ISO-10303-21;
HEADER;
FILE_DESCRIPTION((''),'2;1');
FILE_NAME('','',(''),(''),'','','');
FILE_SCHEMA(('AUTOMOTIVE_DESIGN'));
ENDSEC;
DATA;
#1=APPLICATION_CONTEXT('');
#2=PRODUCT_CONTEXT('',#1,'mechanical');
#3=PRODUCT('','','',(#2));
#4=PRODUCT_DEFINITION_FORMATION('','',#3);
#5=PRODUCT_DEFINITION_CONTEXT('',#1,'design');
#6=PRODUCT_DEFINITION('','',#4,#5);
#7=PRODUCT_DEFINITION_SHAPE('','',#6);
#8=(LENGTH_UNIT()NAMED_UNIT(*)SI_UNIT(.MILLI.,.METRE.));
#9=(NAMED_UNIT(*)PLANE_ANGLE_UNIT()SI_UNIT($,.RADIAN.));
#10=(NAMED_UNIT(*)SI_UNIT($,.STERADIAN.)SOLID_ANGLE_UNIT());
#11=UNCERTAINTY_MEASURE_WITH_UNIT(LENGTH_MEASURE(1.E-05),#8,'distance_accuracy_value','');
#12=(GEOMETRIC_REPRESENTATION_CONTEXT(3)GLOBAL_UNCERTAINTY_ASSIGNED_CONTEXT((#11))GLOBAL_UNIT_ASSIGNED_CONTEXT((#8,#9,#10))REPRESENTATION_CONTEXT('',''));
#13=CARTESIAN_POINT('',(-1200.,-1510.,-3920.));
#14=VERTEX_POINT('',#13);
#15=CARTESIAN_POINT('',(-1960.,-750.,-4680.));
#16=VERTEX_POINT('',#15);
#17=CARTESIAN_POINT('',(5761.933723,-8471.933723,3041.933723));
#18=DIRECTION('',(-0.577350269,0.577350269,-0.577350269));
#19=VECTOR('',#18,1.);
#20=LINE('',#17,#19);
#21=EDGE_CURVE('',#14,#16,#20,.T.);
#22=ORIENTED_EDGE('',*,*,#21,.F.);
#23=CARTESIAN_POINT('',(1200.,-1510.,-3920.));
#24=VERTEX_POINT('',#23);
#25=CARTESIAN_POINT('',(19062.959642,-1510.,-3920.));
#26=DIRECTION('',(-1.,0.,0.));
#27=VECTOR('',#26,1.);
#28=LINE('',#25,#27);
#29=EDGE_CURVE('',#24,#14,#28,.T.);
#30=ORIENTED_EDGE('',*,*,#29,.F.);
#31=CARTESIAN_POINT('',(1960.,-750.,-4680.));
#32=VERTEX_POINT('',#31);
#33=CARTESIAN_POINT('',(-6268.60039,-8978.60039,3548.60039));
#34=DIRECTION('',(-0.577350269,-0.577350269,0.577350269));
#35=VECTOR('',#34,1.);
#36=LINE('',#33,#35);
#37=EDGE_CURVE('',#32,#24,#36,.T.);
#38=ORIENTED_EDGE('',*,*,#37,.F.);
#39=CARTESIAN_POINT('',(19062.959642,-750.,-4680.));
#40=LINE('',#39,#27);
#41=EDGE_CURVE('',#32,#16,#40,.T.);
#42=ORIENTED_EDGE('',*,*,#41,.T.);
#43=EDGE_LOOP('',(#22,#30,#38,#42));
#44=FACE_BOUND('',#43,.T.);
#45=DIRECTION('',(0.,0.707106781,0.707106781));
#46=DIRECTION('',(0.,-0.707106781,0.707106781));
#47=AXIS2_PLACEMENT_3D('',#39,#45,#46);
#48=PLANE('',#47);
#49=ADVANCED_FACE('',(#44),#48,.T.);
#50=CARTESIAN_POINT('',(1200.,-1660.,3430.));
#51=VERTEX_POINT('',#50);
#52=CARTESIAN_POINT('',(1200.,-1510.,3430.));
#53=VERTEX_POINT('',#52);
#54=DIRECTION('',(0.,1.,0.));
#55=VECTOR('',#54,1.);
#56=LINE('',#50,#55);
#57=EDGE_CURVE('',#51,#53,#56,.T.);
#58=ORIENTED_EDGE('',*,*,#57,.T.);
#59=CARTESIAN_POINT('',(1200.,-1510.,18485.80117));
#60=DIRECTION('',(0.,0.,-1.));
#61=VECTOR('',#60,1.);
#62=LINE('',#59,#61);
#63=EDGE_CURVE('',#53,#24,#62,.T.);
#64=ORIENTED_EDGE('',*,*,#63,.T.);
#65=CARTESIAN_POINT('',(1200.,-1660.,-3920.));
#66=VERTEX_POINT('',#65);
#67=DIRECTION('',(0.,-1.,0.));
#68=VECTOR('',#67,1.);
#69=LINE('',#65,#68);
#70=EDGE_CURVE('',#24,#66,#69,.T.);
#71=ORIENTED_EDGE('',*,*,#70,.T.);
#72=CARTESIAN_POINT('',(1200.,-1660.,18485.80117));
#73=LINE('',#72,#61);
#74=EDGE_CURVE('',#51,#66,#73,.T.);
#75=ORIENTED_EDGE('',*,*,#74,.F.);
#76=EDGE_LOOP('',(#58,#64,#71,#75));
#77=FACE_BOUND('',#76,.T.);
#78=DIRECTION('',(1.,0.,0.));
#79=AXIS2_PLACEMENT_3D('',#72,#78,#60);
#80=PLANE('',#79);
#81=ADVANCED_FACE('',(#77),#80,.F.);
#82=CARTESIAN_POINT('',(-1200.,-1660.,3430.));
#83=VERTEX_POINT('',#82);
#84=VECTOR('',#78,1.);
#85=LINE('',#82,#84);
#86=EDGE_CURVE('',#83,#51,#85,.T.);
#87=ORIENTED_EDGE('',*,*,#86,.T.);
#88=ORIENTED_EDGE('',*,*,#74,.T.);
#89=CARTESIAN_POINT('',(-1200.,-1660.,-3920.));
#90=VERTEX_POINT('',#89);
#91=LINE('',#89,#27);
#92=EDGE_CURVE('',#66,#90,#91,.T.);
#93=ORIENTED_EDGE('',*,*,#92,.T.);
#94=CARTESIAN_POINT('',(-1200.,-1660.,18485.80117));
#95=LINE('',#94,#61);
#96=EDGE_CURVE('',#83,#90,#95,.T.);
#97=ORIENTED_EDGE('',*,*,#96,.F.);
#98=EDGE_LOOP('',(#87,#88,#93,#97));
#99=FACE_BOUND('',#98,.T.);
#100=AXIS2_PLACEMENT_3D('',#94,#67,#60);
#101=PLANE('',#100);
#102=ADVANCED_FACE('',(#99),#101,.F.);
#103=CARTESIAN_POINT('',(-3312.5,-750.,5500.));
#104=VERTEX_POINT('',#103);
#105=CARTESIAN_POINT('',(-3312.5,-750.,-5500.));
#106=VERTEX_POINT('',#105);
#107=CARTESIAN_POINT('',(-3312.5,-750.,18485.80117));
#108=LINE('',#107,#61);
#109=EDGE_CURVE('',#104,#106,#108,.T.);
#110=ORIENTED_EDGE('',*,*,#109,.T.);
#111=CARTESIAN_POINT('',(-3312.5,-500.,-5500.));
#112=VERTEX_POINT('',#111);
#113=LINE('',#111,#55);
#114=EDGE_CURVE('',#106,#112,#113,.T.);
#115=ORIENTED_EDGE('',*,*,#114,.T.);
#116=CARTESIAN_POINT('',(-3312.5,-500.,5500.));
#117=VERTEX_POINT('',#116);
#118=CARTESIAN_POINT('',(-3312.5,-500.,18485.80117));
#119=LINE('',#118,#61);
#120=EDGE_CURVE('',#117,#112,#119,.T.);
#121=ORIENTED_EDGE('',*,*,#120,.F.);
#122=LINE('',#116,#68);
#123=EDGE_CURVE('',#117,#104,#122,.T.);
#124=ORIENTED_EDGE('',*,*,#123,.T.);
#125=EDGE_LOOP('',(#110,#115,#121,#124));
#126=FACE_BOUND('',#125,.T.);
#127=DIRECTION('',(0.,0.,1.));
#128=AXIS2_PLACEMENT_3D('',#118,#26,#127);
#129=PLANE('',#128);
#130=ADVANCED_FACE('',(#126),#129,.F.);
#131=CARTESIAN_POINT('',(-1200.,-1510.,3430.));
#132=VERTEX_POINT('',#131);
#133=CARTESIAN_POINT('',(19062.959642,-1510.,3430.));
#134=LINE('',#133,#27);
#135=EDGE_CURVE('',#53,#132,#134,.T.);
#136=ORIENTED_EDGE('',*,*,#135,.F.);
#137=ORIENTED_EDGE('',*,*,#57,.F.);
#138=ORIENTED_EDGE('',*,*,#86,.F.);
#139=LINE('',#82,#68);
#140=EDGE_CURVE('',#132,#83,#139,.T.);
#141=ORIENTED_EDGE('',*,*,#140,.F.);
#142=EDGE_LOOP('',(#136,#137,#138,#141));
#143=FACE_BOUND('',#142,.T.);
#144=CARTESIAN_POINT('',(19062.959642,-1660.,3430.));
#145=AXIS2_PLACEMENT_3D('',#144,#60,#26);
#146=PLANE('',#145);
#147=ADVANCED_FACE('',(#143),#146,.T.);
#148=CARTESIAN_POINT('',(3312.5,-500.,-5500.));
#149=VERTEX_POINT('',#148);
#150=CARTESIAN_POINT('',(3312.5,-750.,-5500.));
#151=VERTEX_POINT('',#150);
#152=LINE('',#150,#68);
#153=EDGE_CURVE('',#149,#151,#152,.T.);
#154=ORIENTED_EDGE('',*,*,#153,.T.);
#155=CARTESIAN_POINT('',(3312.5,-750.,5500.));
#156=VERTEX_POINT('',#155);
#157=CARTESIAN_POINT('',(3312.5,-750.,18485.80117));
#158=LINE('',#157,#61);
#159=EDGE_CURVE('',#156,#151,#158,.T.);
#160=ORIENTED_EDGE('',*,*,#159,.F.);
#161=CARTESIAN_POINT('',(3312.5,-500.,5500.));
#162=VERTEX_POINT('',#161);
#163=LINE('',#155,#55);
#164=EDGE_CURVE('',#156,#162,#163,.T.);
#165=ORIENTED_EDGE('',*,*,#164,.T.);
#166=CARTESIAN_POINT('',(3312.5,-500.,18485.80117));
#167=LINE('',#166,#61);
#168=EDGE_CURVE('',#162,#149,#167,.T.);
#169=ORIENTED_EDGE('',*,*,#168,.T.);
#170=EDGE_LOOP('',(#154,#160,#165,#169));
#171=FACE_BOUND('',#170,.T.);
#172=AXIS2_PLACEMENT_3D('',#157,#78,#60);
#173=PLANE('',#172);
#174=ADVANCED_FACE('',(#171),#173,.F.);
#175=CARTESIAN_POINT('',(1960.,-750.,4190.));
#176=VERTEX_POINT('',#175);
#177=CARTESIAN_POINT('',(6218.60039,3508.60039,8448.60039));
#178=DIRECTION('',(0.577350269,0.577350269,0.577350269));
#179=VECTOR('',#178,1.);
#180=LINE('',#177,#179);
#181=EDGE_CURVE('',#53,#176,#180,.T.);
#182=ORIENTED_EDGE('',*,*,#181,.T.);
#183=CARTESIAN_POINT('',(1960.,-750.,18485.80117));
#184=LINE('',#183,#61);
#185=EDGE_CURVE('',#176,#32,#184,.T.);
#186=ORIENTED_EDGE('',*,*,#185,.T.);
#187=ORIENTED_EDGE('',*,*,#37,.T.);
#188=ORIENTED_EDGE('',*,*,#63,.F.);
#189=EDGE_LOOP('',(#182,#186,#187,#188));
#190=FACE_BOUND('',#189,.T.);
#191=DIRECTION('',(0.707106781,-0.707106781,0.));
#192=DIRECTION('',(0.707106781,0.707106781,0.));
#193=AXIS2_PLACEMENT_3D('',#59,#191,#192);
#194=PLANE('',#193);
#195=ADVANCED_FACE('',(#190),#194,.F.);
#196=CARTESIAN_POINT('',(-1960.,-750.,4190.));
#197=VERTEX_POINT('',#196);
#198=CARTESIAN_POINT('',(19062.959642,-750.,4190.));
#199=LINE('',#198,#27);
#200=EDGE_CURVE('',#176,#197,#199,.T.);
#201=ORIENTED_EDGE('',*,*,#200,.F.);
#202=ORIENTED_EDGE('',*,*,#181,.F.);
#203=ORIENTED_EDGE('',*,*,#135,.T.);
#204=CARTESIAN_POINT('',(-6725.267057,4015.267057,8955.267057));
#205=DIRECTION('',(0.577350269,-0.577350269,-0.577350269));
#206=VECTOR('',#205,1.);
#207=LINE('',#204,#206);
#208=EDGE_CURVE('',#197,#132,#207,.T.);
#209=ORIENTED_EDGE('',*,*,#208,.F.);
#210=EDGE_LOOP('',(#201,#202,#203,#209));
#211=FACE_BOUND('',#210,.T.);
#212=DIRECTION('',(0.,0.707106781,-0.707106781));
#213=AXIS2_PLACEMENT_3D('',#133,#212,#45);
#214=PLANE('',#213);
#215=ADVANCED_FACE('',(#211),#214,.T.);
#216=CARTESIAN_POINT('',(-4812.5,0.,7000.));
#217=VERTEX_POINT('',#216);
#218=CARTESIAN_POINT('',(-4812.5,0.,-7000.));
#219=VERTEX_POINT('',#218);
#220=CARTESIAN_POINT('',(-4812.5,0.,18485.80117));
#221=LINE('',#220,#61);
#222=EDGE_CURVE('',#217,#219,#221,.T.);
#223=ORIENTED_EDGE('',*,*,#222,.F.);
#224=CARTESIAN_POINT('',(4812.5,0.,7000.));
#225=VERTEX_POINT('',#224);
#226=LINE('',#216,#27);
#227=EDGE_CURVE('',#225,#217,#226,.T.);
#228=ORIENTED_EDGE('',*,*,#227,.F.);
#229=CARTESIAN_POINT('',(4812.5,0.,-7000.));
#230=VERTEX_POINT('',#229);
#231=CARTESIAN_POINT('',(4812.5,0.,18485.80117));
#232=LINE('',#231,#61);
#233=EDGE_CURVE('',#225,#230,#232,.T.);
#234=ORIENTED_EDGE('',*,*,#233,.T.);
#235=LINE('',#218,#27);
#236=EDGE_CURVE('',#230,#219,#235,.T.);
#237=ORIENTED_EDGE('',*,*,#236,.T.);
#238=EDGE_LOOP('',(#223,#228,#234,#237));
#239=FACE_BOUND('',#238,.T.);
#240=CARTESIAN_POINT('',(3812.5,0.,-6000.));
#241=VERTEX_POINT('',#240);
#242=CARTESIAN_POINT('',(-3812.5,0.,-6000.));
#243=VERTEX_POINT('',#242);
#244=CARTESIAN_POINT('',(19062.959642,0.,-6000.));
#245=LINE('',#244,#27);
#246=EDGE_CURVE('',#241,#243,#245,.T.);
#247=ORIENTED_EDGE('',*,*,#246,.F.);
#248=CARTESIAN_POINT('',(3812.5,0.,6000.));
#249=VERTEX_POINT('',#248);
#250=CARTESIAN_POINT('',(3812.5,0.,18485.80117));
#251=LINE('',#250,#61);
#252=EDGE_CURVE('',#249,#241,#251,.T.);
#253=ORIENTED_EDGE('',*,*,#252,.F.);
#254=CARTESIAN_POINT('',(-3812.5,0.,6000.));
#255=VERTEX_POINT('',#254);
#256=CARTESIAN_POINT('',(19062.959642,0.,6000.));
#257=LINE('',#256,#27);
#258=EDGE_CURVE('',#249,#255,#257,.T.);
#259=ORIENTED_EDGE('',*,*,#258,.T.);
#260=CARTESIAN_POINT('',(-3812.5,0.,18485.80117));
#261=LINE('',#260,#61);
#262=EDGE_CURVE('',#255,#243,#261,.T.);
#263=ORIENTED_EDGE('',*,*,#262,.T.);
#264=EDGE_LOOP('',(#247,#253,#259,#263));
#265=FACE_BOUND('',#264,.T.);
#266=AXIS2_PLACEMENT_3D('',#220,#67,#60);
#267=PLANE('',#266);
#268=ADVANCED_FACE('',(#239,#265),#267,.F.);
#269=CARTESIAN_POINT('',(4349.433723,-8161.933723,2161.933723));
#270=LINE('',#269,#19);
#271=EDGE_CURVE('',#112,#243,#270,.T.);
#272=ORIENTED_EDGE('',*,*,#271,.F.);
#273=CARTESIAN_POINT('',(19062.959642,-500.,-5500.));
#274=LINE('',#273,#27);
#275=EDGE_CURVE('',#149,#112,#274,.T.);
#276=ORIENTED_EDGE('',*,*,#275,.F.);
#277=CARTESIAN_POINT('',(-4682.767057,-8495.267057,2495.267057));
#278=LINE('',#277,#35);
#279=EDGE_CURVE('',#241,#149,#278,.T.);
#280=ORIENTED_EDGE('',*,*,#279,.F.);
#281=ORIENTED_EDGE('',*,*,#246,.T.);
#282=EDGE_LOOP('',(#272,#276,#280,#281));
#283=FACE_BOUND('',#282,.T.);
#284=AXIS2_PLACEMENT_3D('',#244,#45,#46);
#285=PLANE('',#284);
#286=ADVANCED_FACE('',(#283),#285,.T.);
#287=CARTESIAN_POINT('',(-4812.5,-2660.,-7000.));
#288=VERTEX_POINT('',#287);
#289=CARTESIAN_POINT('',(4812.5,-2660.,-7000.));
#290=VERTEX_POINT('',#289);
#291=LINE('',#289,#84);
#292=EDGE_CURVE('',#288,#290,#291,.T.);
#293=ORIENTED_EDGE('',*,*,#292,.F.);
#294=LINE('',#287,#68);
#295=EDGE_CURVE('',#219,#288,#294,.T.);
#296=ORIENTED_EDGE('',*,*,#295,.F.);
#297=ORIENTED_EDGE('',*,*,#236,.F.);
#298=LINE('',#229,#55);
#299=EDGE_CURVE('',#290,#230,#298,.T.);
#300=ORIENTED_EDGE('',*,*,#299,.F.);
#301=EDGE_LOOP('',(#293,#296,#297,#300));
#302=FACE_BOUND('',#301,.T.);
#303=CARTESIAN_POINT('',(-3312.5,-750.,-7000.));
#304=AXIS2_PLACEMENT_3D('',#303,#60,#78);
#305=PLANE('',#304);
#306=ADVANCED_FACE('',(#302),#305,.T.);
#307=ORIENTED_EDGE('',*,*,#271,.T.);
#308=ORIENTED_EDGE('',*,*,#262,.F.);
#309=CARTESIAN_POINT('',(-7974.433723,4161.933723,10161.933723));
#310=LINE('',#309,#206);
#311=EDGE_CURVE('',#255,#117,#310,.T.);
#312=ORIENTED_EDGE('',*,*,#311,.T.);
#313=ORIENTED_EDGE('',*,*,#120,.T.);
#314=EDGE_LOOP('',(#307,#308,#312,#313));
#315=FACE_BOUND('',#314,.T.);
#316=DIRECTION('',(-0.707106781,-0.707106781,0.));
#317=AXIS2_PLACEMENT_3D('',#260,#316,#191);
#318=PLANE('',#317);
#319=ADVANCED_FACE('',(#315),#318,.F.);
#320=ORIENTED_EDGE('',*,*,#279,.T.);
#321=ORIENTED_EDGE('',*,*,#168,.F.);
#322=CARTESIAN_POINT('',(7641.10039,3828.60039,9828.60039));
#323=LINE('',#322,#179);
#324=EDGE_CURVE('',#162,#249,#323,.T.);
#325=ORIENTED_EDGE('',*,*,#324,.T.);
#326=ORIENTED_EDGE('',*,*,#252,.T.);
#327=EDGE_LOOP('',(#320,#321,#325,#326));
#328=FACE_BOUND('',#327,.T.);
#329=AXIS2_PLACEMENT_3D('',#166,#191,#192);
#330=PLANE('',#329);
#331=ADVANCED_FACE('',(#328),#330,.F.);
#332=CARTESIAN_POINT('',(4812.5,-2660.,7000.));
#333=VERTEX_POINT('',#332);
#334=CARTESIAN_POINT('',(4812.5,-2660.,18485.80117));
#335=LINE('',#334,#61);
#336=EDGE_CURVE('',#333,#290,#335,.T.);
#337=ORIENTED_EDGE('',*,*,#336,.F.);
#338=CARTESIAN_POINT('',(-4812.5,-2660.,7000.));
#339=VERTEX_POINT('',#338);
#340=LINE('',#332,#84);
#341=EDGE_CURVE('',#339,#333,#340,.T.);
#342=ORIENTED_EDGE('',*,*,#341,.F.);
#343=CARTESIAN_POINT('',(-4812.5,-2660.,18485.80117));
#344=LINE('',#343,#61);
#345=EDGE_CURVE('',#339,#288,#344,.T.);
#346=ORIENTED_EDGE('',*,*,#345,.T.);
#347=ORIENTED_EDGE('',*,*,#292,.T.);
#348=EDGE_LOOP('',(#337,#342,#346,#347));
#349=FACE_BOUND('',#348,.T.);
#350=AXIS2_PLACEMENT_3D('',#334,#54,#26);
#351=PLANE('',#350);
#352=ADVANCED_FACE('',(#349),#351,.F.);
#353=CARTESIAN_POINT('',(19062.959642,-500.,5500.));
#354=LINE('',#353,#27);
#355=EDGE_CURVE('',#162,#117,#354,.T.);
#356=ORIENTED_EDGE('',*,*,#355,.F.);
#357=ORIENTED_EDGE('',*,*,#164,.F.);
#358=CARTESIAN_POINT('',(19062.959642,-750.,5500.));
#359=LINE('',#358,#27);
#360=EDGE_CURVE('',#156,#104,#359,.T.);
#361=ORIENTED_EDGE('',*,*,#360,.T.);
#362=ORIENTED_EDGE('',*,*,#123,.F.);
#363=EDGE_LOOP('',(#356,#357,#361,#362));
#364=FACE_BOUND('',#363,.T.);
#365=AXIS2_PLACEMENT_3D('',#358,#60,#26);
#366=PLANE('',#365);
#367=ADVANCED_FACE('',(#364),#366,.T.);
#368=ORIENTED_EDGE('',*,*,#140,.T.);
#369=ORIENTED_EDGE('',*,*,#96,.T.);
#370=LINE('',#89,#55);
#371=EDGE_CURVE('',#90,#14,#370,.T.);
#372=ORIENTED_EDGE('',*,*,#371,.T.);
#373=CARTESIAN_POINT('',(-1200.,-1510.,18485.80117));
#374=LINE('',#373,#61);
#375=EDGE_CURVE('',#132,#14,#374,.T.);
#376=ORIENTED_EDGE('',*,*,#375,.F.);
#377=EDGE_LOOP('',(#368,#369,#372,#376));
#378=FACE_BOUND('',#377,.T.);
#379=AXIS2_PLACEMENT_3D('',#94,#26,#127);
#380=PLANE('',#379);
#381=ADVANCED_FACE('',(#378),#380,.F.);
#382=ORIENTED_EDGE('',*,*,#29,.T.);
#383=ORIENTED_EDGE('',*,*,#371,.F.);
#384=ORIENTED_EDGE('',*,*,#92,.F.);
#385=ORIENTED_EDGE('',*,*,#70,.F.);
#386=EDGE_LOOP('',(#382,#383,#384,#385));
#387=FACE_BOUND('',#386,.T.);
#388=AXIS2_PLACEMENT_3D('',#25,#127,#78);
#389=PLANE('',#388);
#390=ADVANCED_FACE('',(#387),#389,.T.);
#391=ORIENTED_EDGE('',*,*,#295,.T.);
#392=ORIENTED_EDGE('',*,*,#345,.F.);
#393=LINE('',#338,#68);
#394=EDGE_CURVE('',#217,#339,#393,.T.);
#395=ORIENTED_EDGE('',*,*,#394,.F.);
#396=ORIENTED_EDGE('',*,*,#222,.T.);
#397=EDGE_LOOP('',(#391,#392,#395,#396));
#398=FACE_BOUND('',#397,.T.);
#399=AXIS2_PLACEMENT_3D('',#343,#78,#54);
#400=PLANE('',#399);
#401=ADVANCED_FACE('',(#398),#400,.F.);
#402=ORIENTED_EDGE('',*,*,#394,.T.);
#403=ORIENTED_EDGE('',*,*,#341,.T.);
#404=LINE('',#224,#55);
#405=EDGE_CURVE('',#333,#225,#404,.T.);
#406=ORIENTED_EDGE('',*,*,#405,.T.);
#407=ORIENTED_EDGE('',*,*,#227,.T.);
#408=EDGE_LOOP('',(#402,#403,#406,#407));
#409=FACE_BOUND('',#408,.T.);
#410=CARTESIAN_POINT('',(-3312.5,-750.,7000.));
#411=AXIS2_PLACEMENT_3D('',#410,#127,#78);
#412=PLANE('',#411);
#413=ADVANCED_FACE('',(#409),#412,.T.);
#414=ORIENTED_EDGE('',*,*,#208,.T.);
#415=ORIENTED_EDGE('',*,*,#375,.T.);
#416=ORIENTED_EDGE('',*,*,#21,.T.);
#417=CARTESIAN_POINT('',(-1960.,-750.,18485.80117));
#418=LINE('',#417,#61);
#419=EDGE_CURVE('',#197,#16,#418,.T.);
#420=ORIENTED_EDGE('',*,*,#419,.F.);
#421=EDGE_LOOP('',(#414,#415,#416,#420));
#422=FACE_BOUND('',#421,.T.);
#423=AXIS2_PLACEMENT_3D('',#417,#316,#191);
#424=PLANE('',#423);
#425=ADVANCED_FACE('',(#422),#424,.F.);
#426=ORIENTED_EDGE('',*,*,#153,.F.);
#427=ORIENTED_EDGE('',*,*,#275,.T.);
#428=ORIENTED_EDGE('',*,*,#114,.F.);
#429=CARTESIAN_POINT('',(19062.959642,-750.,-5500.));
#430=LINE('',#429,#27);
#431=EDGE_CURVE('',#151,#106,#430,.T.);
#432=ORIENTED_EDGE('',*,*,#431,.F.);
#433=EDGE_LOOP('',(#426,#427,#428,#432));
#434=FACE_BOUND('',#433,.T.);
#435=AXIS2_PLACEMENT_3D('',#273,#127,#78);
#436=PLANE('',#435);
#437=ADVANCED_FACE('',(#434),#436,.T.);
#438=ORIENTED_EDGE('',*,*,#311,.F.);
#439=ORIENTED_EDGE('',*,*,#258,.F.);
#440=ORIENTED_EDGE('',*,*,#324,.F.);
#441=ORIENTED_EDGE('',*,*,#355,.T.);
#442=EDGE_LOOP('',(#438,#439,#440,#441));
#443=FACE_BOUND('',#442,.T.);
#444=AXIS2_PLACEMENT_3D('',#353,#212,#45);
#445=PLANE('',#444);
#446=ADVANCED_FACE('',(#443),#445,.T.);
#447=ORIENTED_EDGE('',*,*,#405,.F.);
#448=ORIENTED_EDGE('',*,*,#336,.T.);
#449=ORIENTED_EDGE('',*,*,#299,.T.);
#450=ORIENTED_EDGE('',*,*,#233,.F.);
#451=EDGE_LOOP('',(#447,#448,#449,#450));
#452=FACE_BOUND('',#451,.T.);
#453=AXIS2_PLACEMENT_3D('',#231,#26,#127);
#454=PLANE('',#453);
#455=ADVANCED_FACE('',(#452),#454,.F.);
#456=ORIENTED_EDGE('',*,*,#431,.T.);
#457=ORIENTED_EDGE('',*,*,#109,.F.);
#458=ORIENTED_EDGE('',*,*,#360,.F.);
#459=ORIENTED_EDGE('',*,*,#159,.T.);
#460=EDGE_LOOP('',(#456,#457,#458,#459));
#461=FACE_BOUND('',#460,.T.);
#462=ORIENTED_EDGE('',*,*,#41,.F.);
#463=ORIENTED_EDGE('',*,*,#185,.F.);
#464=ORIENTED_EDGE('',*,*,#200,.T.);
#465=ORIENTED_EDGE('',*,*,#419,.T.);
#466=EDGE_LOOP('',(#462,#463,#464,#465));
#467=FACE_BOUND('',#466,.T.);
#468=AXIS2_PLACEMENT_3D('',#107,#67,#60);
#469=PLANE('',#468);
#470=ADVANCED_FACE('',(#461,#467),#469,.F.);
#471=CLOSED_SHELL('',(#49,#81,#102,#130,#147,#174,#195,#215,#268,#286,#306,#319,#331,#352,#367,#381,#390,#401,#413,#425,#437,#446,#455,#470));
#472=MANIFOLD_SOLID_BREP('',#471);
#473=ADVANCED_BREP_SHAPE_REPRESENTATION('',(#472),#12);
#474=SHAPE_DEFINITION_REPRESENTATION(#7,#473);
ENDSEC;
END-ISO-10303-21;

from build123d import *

# Parameters (mm, degrees)
EXTRUDE_1_DEPTH = 7000
EXTRUDE_2_REACH = 12196.926


with BuildPart() as part:
    # Эскиз1 → Бобышка-Вытянуть1 (new body)
    with BuildSketch(Plane.XY):
        Polygon((-1200, -1660), (1200, -1660), (1200, -1510), (1960, -750), (3312.5, -750), (3312.5, -500), (3812.5, 0), (4812.5, 0), (4812.5, -2660), (-4812.5, -2660), (-4812.5, 0), (-3812.5, 0), (-3312.5, -500), (-3312.5, -750), (-1960, -750), (-1200, -1510), align=None)
    extrude(amount=EXTRUDE_1_DEPTH)

    # Зеркальное отражение2: part across plane


with BuildPart() as part_1:
    add(part.part)
    add(part.part.mirror(Plane(origin=(0, 0, 0), x_dir=(1, 0, 0), z_dir=(0, 0, -1))))

    # Бобышка-Вытянуть2: up to this face of the body (flat: up to its plane)
    extrude_2_end = Plane(part_1.part.faces().sort_by_distance((4812.5, -1330, 0))[0])
    # Эскиз3 → Бобышка-Вытянуть2 (add, up to the picked face)
    with BuildSketch(Plane.ZY.offset(4812.5), mode=Mode.PRIVATE) as extrude_2_sk1:
        Polygon((-3920, -1660), (3430, -1660), (3430, -1510), (4190, -750), (5500, -750), (5500, -500), (6000, 0), (7000, 0), (7000, -2660), (-7000, -2660), (-7000, 0), (-6000, 0), (-5500, -500), (-5500, -750), (-4680, -750), (-3920, -1510), align=None)
    extrude_2_tool1 = split(extrude(extrude_2_sk1.sketch, amount=-EXTRUDE_2_REACH, mode=Mode.PRIVATE), bisect_by=extrude_2_end, keep=Keep.BOTH, mode=Mode.PRIVATE)
    add(extrude_2_tool1.solids().sort_by(Axis((-4812.5, -1758.162956, 82.900381), (1, 0, 0)))[0])


solid = part_1.part
